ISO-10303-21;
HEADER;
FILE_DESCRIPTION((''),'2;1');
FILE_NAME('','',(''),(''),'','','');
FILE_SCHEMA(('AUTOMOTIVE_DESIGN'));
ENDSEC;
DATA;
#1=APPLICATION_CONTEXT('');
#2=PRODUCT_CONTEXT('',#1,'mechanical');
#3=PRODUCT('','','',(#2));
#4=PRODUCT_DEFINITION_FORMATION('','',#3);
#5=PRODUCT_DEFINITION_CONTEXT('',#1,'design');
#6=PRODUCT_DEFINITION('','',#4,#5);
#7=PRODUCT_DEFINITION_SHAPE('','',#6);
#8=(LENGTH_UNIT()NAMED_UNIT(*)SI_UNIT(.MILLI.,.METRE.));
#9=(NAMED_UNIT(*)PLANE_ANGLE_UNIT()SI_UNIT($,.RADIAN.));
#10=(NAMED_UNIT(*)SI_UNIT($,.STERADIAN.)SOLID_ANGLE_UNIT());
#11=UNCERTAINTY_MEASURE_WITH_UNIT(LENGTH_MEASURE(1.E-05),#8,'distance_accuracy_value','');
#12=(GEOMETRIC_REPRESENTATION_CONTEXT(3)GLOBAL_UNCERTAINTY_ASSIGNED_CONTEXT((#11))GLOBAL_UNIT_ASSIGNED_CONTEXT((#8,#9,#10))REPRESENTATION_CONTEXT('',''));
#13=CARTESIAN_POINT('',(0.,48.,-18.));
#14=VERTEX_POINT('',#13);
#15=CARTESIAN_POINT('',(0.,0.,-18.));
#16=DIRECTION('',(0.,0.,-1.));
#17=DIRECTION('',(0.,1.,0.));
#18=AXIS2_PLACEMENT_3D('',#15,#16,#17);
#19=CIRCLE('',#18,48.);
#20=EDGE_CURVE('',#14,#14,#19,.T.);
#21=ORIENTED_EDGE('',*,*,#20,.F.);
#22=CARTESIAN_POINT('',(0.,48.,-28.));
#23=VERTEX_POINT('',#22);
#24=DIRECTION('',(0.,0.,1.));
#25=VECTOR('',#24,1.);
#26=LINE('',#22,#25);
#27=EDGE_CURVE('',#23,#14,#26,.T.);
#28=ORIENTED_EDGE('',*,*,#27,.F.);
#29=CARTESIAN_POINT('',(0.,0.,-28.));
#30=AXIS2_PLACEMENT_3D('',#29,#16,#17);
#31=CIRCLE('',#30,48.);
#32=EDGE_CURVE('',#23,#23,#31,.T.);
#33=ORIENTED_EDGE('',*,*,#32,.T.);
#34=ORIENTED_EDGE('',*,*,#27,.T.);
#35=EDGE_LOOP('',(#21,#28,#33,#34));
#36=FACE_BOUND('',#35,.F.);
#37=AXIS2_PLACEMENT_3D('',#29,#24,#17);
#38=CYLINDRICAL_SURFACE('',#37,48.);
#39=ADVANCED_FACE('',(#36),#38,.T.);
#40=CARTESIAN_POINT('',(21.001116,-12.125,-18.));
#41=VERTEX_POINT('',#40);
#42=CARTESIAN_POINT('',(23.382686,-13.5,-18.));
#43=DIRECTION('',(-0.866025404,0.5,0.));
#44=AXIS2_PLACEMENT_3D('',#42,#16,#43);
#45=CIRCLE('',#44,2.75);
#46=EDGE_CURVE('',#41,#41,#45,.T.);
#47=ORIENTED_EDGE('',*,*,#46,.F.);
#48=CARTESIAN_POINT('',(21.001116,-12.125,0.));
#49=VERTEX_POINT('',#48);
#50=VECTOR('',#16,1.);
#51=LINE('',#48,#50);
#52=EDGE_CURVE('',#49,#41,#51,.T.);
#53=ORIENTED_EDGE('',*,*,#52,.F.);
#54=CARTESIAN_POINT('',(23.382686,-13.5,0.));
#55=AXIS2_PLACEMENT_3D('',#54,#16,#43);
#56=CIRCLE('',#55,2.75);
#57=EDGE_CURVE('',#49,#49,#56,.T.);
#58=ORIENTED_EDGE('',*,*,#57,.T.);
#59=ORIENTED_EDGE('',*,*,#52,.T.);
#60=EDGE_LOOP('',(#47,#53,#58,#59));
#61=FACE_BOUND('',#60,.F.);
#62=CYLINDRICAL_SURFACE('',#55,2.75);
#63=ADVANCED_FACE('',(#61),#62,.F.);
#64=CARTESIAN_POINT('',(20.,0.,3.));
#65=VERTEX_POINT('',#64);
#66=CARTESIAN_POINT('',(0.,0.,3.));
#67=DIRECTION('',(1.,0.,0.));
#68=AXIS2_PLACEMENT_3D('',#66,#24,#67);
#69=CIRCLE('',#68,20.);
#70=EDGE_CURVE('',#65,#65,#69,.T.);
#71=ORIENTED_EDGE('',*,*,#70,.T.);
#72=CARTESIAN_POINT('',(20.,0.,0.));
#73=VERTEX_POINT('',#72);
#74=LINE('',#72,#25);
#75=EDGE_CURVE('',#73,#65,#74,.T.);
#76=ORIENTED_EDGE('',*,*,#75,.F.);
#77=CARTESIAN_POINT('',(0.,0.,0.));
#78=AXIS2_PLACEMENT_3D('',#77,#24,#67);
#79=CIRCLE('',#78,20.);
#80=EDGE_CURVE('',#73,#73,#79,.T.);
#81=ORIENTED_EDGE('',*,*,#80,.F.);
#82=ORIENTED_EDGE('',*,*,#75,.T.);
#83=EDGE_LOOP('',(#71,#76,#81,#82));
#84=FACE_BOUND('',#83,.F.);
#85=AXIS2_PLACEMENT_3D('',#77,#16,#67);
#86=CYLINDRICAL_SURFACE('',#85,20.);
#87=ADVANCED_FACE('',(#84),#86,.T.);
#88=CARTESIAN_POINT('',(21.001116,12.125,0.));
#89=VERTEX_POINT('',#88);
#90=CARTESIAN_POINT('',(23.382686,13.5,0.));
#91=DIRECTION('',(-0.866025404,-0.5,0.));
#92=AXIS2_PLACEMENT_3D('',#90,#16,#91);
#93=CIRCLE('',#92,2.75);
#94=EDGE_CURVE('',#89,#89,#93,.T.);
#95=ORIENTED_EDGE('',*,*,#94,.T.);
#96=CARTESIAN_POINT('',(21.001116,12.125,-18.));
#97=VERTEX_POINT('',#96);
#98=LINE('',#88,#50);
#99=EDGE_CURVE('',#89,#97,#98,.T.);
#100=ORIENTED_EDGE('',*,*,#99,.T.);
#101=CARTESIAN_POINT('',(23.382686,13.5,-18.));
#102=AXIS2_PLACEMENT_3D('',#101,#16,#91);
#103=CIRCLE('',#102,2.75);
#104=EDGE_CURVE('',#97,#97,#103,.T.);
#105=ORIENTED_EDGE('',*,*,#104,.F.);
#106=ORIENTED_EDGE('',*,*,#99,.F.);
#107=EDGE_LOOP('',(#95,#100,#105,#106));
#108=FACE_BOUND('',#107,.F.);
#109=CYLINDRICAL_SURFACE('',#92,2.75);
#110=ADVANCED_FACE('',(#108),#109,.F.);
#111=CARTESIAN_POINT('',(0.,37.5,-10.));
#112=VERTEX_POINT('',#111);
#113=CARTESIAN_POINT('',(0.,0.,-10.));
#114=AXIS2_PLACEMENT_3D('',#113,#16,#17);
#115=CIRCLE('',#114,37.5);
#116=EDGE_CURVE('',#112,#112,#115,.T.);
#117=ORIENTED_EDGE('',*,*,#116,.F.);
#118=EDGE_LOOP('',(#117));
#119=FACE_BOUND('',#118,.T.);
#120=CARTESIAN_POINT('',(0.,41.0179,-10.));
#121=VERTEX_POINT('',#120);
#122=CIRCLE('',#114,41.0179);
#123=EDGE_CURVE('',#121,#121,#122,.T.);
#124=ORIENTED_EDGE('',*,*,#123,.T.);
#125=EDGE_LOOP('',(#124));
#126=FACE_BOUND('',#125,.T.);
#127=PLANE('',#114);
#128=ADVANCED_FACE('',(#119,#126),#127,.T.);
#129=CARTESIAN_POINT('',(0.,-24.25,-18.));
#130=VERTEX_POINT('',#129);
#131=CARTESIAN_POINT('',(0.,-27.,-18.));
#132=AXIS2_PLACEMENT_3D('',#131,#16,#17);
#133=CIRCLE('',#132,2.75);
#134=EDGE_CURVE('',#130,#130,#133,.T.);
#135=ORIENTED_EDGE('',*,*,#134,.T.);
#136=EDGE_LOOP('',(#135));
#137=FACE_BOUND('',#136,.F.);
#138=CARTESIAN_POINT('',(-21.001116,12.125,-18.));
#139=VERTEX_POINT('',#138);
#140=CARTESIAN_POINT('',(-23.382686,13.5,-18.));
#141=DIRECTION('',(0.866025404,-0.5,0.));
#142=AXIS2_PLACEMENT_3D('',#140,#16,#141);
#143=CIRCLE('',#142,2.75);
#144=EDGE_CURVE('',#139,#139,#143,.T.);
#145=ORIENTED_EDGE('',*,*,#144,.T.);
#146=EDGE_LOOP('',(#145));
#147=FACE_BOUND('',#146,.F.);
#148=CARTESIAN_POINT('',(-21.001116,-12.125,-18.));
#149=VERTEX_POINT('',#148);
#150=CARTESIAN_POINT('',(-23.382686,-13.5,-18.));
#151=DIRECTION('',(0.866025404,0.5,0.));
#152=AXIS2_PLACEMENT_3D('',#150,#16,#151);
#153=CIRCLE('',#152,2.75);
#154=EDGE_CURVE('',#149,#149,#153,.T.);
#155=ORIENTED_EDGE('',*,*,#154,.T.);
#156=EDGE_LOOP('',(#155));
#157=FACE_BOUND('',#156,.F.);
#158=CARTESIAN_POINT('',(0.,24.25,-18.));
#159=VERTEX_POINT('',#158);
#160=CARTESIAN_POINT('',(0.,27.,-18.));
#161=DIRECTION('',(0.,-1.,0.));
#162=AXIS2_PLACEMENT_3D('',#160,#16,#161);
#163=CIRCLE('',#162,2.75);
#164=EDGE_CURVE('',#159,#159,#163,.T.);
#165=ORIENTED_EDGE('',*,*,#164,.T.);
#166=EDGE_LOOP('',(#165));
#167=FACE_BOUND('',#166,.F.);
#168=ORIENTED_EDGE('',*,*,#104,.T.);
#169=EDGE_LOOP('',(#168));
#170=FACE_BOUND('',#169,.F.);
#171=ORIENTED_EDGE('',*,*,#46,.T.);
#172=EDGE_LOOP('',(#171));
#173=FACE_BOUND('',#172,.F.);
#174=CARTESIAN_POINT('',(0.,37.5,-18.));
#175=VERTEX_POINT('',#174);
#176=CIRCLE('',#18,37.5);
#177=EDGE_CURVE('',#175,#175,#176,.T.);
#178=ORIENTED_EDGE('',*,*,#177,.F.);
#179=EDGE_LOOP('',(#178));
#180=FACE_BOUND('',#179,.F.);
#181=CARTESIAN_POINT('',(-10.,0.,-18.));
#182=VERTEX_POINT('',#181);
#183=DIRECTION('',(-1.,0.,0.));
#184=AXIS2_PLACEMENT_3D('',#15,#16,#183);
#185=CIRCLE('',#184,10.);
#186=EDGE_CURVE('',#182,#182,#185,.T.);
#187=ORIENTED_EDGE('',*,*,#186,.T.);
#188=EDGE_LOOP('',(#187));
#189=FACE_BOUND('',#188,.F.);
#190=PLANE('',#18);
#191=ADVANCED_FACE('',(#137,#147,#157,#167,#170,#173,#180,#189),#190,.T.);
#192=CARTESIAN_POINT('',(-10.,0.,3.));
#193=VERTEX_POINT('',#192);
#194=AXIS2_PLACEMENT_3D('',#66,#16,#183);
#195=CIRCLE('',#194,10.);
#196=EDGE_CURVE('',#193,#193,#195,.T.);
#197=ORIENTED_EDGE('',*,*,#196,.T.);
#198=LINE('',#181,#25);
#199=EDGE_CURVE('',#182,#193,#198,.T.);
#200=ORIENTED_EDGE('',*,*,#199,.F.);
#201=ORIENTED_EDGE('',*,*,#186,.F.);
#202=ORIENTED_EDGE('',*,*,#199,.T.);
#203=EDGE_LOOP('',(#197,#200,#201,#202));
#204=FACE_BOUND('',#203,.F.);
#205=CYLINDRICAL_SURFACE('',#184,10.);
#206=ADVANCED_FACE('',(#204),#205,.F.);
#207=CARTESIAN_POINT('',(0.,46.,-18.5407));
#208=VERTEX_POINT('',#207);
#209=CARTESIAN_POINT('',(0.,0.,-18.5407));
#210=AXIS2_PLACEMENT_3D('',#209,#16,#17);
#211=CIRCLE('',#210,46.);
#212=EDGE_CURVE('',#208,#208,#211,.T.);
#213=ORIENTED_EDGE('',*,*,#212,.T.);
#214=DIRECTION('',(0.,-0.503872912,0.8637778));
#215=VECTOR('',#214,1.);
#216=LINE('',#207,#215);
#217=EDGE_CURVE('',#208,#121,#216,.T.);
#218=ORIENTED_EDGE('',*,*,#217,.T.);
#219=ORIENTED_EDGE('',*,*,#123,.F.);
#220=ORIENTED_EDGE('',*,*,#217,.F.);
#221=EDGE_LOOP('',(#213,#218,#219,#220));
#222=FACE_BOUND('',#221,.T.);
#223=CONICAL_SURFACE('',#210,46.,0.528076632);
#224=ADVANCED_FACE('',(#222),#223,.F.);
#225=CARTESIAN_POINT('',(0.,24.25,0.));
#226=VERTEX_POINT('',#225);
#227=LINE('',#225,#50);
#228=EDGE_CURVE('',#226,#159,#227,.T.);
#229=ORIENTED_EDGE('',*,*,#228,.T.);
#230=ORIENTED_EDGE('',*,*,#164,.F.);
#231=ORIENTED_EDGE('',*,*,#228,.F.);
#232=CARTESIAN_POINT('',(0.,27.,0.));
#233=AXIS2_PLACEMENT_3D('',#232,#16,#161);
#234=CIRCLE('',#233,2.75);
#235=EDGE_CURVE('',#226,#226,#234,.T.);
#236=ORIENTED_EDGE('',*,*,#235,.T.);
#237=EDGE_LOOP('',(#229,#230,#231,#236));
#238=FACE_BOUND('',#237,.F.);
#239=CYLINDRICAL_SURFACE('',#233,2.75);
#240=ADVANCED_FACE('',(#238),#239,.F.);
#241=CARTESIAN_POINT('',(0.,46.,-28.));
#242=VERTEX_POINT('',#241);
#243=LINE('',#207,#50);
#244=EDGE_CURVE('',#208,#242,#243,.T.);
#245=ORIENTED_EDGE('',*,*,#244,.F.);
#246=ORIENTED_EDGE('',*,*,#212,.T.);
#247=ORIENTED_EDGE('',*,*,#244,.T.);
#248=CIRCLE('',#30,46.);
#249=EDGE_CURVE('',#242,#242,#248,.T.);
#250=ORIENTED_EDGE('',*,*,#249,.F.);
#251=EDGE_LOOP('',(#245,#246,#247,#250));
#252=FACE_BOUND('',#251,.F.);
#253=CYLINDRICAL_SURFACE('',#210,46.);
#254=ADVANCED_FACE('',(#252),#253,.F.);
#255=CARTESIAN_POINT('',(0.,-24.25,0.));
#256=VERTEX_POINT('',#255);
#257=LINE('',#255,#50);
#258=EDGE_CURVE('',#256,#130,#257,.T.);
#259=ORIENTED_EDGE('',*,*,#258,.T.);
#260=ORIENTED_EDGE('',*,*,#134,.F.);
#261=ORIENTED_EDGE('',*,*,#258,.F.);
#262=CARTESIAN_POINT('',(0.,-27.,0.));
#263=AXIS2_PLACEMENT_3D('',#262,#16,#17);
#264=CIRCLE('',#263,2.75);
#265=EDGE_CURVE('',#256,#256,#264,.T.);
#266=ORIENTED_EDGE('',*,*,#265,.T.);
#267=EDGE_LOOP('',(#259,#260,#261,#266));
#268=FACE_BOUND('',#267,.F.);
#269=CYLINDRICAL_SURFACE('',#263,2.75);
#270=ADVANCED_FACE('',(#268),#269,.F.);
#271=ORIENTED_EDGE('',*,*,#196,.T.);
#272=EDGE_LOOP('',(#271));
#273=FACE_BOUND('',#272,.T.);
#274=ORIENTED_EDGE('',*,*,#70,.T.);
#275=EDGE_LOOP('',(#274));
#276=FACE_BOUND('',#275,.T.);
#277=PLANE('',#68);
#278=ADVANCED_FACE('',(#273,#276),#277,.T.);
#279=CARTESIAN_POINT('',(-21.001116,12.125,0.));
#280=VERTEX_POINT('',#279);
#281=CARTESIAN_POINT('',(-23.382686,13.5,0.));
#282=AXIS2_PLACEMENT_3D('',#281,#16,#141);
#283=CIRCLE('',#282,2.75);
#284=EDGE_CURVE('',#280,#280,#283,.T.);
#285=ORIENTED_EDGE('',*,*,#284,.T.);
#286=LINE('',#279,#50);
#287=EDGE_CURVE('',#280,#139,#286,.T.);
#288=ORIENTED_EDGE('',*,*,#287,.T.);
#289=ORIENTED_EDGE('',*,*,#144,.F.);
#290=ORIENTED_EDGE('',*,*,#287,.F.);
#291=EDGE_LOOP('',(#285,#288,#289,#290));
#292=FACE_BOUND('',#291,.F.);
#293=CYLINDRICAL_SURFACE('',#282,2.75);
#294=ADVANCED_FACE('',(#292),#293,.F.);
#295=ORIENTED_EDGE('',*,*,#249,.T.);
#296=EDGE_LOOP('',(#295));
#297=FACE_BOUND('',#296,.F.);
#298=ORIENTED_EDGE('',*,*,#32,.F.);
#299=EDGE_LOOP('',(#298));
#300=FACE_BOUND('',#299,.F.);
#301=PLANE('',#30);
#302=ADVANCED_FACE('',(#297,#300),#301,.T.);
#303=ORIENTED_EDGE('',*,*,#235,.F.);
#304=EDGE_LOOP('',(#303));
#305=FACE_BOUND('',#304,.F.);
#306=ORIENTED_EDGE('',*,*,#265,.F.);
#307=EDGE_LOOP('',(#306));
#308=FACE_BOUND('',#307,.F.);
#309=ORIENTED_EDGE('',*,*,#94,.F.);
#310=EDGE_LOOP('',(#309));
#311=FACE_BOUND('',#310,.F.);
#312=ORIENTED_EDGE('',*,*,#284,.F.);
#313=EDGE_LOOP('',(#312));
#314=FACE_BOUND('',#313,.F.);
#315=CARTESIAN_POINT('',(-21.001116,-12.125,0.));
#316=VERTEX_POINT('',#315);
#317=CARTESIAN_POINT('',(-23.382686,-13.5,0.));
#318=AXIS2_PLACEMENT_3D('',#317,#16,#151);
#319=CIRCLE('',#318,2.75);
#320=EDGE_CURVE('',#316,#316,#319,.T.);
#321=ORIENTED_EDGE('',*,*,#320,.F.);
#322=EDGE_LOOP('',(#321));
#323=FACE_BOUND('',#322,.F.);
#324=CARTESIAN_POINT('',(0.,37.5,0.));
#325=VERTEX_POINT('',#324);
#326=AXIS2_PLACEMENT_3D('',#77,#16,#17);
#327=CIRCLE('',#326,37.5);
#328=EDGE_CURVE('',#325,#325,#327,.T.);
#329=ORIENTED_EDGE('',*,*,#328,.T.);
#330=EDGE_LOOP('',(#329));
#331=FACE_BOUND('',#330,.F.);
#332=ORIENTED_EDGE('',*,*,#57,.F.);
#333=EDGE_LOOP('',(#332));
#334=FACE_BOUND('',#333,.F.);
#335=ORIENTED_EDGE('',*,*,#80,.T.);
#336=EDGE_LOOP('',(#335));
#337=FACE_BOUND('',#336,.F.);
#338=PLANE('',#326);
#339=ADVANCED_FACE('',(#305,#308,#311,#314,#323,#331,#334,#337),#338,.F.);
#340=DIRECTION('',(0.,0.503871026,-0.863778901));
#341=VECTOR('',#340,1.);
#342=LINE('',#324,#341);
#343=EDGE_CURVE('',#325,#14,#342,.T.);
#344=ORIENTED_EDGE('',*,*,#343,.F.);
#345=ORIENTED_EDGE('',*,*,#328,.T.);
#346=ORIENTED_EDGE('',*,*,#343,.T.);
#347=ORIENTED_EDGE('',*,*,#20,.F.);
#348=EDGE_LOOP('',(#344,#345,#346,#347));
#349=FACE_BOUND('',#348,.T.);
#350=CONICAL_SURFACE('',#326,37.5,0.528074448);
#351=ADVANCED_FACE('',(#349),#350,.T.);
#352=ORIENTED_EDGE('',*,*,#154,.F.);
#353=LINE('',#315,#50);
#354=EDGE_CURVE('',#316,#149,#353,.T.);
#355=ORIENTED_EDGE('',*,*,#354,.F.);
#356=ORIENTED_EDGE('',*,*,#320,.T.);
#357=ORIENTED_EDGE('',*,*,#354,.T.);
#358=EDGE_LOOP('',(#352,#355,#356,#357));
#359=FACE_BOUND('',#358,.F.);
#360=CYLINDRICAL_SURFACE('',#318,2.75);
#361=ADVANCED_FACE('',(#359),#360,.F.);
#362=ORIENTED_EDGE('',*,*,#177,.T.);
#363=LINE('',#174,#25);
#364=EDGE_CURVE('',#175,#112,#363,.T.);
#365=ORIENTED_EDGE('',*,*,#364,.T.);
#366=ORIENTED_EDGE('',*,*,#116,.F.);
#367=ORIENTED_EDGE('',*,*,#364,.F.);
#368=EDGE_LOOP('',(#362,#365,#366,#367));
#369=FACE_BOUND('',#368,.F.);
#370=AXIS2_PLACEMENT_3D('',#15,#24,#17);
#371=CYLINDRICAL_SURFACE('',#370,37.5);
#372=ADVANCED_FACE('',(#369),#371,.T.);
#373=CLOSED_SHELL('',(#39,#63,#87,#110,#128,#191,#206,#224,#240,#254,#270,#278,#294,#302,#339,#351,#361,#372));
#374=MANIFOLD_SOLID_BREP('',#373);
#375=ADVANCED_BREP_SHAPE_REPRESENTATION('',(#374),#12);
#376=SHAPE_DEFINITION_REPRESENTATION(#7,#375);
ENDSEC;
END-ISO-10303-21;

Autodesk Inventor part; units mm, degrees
ref_plane "YZ Plane" through (0, 0, 0) normal (1, 0, 0) x (0, 1, 0)
ref_plane "XZ Plane" through (0, 0, 0) normal (0, 1, 0) x (-1, 0, 0)
ref_plane "XY Plane" through (0, 0, 0) normal (0, 0, 1) x (1, 0, 0)
sketch "Sketch1" plane through (0, 0, 0) normal (1, 0, 0) x (0, 1, 0)
  line L0 (0, 0) -> (0, -18)
  line L1 (37.5, 0) -> (48, -18)
  line L2 (37.5, 0) -> (0, 0)
  line L3 (46, -18.5407) -> (41.0179, -10)
  line L4 (41.0179, -10) -> (37.5, -10)
  line L5 (46, -18.5407) -> (46, -28)
  line L6 (46, -28) -> (48, -28)
  line L7 (48, -28) -> (48, -18)
  line L8 (0, -18) -> (37.5, -18)
  line L9 (37.5, -18) -> (37.5, -10)
  dimension "d0" = 18
  dimension "d6" = 75
  dimension "d7" = 96
  dimension "d9" = 10
  dimension "d10" = 10
  dimension "d11" = 2
  dimension "d12" = 2
revolve "Revolution1" add sketch "Sketch1" angle 360 about axis through (0, 0, 0) along (0, 0, -1)
sketch "Sketch2" plane through (0, 0, 0) normal (0, 0, 1) x (1, 0, 0)
  circle A0 centre (0, 0) radius 20
  point P0 (0, 0)
  dimension "d14" = 40
extrude "Extrusion1" add sketch "Sketch2" along normal blind 3
sketch "Sketch3" plane through (0, 0, -18) normal (0, 0, -1) x (-1, 0, 0)
  circle A0 centre (0, 0) radius 10
  point P0 (0, 0)
  dimension "d17" = 20
extrude "Extrusion2" cut sketch "Sketch3" against normal through all
sketch "Sketch4" plane through (0, 0, 0) normal (0, 0, 1) x (1, 0, 0)
  circle A0 centre (0, 27) radius 2.065
  point P0 (0, 0)
  dimension "d20" = 27
hole "Hole1" at (0, 27, 0) direction (0, 0, -1) diameter 5.5 end through all
thread "Thread2" size "M5.5x0.5" class "6H" standard "ANSI Metric M Profile" full length
pattern_circular "Circular Pattern1" count 6 over 360 about axis through (0, 0, -9) along (0, 0, -1) of "Hole1"
properties part number "301-08" material "Titanium"
